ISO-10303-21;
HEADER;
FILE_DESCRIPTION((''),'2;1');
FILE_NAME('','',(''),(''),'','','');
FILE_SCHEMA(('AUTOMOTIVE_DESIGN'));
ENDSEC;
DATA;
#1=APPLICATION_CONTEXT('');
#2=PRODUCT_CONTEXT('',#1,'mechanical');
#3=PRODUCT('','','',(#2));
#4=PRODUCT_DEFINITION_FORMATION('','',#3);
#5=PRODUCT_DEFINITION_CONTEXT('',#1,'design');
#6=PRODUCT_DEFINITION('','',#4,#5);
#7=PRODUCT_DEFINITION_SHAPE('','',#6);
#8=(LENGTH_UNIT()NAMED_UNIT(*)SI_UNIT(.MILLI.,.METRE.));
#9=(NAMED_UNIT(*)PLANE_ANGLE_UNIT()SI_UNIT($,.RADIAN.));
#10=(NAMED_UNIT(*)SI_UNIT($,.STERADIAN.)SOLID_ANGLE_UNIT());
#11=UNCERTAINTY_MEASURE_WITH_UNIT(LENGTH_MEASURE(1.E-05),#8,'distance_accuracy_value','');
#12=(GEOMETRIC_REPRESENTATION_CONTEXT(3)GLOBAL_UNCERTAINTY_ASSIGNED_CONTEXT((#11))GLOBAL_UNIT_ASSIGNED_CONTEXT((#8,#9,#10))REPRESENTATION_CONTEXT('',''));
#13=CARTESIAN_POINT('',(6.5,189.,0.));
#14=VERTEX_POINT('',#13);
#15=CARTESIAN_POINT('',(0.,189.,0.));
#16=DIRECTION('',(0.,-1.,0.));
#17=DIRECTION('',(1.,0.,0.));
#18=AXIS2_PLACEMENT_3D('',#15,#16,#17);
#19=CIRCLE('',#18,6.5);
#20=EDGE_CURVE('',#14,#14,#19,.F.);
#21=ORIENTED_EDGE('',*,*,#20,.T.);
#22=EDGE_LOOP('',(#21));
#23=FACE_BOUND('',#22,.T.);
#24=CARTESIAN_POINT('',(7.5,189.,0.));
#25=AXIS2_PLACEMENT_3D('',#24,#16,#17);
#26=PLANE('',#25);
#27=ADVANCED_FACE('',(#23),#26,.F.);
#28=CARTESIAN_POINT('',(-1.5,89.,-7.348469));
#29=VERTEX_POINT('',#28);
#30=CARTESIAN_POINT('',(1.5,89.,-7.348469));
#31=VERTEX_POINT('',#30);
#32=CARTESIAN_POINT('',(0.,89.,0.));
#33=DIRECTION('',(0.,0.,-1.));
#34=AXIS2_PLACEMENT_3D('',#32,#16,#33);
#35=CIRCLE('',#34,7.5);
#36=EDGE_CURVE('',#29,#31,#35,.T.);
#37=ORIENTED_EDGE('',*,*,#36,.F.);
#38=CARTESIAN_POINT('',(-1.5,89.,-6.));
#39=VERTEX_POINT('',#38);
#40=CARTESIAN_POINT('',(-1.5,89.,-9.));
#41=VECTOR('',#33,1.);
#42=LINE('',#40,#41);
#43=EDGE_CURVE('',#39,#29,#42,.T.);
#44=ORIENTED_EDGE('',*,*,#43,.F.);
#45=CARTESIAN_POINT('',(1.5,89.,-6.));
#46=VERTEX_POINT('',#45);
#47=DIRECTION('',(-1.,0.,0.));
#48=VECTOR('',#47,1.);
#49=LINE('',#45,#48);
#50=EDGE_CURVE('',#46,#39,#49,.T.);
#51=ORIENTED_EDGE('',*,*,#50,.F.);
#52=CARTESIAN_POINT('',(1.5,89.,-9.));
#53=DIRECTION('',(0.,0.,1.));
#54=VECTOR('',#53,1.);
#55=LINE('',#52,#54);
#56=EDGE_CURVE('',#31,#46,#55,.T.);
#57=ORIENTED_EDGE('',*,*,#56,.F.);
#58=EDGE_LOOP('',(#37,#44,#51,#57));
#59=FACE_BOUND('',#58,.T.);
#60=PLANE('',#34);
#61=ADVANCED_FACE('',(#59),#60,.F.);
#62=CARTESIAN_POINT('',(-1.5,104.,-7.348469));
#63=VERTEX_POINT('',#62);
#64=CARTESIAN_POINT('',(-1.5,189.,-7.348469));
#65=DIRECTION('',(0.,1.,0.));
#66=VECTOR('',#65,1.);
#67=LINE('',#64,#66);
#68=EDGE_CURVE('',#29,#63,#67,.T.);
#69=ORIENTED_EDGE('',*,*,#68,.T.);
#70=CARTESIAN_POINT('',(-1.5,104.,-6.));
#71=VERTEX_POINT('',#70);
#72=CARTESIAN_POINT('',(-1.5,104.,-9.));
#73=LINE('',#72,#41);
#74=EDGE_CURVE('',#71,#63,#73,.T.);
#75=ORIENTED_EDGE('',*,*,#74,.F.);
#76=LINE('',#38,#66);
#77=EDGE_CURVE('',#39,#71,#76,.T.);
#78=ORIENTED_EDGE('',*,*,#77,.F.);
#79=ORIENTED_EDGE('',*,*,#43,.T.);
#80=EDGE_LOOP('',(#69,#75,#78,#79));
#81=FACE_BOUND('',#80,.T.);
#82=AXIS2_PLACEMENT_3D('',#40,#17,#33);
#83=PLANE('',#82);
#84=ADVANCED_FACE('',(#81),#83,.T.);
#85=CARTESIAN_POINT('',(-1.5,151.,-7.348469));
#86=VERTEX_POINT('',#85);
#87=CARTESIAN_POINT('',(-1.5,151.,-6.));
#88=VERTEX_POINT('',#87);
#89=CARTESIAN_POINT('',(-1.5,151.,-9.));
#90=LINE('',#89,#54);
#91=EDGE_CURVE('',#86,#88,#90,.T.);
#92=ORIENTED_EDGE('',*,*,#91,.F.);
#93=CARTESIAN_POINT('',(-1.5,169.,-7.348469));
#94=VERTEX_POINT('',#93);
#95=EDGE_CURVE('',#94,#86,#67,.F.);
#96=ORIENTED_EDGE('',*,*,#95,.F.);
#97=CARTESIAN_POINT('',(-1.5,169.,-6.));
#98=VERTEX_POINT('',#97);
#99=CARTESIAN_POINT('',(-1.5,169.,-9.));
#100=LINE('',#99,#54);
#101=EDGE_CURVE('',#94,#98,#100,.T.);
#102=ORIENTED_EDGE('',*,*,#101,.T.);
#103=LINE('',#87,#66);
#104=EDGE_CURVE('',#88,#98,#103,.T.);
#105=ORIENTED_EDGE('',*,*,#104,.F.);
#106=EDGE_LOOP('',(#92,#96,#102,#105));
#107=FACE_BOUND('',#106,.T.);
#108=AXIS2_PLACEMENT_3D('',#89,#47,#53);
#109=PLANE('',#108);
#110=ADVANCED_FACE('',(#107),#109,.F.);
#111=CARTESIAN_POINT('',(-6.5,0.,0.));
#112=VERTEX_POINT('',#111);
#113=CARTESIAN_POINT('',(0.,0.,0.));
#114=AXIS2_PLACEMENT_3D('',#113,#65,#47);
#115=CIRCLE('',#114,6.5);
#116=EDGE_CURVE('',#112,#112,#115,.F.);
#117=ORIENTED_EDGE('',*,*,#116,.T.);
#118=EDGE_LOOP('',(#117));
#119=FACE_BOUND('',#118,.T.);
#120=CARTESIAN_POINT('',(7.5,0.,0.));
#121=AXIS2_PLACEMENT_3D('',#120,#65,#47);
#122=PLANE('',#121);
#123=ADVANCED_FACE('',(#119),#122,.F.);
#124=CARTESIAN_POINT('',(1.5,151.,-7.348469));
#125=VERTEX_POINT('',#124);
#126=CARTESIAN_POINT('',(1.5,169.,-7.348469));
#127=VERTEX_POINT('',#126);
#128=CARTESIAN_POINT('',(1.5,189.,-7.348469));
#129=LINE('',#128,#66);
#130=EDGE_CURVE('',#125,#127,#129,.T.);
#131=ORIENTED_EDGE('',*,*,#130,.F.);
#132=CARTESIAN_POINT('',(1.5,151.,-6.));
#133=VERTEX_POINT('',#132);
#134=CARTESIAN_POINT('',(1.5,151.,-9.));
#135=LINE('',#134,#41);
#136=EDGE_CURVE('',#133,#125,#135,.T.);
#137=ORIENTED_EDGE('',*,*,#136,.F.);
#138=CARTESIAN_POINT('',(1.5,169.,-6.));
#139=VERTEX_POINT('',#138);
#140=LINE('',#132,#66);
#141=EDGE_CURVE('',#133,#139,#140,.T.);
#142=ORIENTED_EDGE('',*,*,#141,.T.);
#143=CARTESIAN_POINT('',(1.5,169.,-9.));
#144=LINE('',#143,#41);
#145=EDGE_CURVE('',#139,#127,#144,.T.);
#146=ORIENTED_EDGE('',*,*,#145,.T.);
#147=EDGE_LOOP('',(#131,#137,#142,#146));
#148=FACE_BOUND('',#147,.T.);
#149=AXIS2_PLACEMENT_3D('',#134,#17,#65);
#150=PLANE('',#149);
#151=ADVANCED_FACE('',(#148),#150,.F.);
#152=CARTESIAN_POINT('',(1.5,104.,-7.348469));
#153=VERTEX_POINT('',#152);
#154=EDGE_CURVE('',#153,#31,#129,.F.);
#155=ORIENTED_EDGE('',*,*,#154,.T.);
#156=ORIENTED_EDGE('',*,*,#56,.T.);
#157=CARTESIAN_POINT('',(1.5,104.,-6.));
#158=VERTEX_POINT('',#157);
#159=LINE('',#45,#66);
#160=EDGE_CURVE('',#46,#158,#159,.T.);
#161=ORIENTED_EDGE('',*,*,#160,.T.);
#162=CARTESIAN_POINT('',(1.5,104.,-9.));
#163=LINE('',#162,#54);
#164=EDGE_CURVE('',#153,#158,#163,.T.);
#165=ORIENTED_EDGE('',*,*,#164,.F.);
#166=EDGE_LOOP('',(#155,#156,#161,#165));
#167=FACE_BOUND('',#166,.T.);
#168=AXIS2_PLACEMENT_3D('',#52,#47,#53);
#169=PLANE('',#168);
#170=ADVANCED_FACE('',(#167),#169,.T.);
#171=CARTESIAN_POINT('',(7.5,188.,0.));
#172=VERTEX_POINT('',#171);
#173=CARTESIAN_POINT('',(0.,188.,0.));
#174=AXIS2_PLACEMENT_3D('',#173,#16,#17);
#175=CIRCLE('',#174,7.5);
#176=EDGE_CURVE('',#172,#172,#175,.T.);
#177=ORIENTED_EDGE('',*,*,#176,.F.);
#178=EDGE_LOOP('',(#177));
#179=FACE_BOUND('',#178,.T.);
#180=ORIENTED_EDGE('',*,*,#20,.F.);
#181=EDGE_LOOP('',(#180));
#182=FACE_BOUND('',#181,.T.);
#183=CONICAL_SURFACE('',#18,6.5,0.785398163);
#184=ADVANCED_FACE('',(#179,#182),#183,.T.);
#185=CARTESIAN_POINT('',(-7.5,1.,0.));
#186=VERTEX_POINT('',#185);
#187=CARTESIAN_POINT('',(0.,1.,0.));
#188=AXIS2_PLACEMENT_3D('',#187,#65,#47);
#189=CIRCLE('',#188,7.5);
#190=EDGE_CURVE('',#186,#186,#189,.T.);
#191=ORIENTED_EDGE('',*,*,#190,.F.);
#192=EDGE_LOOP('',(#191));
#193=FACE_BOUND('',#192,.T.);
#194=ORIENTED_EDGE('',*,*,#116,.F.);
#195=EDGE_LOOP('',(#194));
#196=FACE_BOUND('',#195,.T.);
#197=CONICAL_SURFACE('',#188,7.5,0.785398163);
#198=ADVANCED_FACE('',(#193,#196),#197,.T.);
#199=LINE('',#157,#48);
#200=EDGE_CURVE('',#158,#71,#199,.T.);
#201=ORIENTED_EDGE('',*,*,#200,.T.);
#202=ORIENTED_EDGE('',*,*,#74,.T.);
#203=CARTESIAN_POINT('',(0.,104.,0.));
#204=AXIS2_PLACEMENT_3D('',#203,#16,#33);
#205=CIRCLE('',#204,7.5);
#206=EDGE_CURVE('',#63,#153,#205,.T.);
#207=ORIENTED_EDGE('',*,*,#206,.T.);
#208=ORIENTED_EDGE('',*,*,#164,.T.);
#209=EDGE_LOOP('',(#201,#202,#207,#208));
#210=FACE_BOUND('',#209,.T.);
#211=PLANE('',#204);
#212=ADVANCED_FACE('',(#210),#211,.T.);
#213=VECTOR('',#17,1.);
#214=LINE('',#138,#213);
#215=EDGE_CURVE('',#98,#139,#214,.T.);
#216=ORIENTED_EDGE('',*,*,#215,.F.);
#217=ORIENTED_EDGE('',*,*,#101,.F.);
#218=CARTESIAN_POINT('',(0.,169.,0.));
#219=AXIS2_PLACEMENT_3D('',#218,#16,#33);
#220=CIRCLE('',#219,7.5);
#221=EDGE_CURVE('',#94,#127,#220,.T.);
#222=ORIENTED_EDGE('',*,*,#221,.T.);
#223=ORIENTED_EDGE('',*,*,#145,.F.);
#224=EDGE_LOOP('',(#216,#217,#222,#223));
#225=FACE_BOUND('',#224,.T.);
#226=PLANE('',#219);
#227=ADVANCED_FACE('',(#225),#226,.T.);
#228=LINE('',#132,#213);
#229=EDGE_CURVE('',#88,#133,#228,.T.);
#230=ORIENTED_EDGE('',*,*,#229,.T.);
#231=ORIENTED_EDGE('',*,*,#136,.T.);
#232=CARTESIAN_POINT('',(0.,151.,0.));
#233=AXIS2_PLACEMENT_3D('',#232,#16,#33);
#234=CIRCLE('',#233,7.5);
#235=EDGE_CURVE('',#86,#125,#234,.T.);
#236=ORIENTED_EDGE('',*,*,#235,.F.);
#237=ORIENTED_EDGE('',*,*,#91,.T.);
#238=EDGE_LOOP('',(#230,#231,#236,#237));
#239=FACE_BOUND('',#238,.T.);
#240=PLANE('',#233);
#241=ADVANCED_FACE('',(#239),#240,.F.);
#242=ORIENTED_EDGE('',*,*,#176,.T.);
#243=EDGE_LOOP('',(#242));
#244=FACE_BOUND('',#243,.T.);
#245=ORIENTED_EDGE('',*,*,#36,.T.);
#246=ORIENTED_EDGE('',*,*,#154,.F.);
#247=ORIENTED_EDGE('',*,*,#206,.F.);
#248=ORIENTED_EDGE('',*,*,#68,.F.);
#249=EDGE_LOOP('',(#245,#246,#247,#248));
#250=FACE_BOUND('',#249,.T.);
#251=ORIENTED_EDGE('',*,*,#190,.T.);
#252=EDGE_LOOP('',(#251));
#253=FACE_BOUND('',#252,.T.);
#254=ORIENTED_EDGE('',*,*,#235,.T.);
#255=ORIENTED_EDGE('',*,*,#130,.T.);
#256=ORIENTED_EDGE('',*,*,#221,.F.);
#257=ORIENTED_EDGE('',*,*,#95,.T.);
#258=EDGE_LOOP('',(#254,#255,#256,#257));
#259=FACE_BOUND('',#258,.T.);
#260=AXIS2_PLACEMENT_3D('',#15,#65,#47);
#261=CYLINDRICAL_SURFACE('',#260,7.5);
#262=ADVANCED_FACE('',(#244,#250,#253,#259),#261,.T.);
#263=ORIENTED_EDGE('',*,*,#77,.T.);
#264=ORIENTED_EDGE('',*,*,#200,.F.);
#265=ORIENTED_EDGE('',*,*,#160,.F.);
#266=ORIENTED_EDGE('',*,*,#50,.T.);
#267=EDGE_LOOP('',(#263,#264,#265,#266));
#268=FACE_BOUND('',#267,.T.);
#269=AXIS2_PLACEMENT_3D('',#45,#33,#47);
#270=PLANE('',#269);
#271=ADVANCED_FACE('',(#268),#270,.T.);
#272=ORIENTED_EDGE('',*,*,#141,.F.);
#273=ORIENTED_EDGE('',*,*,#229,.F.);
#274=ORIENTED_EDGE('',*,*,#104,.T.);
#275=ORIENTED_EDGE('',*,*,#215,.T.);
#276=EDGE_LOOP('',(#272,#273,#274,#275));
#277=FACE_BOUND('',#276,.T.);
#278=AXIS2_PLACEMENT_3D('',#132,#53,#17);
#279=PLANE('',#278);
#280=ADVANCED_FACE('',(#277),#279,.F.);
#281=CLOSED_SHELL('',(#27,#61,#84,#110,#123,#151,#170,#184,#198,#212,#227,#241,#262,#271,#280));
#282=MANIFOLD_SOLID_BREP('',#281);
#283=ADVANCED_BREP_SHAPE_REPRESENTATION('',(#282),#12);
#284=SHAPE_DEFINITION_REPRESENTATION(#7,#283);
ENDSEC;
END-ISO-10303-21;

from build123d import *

# Parameters (mm, degrees)
SKETCH1_W          = 7.5
SKETCH1_H          = 189
SKETCH2_W          = 3
SKETCH2_H          = 3
CUT_EXTRUDE1_DEPTH = 18
SKETCH3_W          = 3
SKETCH3_H          = 3
CUT_EXTRUDE2_DEPTH = 15
CHAMFER1_SIZE      = 1


with BuildPart() as part:
    # Sketch1 → Revolve1 (revolve)
    with BuildSketch(Plane.XY, mode=Mode.PRIVATE) as revolve1_sk:
        with Locations((3.75, 94.5)):
            Rectangle(SKETCH1_W, SKETCH1_H)
    revolve(revolve1_sk.sketch.rotate(Axis((0, 189, 0), (0, -1, 0)), 180), axis=Axis((0, 189, 0), (0, -1, 0)))

    # Sketch2 → Cut-Extrude1 (cut)
    with BuildSketch(Plane(origin=(0, 169, 0), x_dir=(1, 0, 0), z_dir=(0, 1, 0))):
        with Locations((0, 7.5)):
            Rectangle(SKETCH2_W, SKETCH2_H)
    extrude(amount=-CUT_EXTRUDE1_DEPTH, mode=Mode.SUBTRACT)

    # Sketch3 → Cut-Extrude2 (cut)
    with BuildSketch(Plane(origin=(0, 104, 0), x_dir=(-1, 0, 0), z_dir=(0, -1, 0))):
        with Locations((0, 7.5)):
            Rectangle(SKETCH3_W, SKETCH3_H)
    extrude(amount=CUT_EXTRUDE2_DEPTH, mode=Mode.SUBTRACT)

    # Chamfer1
    chamfer1_edges = [part.edges().sort_by_distance(p)[0] for p in [
        (7.5, 0, 0),
        (7.5, 189, 0),
    ]]
    chamfer(chamfer1_edges, length=CHAMFER1_SIZE)


solid = part.part
